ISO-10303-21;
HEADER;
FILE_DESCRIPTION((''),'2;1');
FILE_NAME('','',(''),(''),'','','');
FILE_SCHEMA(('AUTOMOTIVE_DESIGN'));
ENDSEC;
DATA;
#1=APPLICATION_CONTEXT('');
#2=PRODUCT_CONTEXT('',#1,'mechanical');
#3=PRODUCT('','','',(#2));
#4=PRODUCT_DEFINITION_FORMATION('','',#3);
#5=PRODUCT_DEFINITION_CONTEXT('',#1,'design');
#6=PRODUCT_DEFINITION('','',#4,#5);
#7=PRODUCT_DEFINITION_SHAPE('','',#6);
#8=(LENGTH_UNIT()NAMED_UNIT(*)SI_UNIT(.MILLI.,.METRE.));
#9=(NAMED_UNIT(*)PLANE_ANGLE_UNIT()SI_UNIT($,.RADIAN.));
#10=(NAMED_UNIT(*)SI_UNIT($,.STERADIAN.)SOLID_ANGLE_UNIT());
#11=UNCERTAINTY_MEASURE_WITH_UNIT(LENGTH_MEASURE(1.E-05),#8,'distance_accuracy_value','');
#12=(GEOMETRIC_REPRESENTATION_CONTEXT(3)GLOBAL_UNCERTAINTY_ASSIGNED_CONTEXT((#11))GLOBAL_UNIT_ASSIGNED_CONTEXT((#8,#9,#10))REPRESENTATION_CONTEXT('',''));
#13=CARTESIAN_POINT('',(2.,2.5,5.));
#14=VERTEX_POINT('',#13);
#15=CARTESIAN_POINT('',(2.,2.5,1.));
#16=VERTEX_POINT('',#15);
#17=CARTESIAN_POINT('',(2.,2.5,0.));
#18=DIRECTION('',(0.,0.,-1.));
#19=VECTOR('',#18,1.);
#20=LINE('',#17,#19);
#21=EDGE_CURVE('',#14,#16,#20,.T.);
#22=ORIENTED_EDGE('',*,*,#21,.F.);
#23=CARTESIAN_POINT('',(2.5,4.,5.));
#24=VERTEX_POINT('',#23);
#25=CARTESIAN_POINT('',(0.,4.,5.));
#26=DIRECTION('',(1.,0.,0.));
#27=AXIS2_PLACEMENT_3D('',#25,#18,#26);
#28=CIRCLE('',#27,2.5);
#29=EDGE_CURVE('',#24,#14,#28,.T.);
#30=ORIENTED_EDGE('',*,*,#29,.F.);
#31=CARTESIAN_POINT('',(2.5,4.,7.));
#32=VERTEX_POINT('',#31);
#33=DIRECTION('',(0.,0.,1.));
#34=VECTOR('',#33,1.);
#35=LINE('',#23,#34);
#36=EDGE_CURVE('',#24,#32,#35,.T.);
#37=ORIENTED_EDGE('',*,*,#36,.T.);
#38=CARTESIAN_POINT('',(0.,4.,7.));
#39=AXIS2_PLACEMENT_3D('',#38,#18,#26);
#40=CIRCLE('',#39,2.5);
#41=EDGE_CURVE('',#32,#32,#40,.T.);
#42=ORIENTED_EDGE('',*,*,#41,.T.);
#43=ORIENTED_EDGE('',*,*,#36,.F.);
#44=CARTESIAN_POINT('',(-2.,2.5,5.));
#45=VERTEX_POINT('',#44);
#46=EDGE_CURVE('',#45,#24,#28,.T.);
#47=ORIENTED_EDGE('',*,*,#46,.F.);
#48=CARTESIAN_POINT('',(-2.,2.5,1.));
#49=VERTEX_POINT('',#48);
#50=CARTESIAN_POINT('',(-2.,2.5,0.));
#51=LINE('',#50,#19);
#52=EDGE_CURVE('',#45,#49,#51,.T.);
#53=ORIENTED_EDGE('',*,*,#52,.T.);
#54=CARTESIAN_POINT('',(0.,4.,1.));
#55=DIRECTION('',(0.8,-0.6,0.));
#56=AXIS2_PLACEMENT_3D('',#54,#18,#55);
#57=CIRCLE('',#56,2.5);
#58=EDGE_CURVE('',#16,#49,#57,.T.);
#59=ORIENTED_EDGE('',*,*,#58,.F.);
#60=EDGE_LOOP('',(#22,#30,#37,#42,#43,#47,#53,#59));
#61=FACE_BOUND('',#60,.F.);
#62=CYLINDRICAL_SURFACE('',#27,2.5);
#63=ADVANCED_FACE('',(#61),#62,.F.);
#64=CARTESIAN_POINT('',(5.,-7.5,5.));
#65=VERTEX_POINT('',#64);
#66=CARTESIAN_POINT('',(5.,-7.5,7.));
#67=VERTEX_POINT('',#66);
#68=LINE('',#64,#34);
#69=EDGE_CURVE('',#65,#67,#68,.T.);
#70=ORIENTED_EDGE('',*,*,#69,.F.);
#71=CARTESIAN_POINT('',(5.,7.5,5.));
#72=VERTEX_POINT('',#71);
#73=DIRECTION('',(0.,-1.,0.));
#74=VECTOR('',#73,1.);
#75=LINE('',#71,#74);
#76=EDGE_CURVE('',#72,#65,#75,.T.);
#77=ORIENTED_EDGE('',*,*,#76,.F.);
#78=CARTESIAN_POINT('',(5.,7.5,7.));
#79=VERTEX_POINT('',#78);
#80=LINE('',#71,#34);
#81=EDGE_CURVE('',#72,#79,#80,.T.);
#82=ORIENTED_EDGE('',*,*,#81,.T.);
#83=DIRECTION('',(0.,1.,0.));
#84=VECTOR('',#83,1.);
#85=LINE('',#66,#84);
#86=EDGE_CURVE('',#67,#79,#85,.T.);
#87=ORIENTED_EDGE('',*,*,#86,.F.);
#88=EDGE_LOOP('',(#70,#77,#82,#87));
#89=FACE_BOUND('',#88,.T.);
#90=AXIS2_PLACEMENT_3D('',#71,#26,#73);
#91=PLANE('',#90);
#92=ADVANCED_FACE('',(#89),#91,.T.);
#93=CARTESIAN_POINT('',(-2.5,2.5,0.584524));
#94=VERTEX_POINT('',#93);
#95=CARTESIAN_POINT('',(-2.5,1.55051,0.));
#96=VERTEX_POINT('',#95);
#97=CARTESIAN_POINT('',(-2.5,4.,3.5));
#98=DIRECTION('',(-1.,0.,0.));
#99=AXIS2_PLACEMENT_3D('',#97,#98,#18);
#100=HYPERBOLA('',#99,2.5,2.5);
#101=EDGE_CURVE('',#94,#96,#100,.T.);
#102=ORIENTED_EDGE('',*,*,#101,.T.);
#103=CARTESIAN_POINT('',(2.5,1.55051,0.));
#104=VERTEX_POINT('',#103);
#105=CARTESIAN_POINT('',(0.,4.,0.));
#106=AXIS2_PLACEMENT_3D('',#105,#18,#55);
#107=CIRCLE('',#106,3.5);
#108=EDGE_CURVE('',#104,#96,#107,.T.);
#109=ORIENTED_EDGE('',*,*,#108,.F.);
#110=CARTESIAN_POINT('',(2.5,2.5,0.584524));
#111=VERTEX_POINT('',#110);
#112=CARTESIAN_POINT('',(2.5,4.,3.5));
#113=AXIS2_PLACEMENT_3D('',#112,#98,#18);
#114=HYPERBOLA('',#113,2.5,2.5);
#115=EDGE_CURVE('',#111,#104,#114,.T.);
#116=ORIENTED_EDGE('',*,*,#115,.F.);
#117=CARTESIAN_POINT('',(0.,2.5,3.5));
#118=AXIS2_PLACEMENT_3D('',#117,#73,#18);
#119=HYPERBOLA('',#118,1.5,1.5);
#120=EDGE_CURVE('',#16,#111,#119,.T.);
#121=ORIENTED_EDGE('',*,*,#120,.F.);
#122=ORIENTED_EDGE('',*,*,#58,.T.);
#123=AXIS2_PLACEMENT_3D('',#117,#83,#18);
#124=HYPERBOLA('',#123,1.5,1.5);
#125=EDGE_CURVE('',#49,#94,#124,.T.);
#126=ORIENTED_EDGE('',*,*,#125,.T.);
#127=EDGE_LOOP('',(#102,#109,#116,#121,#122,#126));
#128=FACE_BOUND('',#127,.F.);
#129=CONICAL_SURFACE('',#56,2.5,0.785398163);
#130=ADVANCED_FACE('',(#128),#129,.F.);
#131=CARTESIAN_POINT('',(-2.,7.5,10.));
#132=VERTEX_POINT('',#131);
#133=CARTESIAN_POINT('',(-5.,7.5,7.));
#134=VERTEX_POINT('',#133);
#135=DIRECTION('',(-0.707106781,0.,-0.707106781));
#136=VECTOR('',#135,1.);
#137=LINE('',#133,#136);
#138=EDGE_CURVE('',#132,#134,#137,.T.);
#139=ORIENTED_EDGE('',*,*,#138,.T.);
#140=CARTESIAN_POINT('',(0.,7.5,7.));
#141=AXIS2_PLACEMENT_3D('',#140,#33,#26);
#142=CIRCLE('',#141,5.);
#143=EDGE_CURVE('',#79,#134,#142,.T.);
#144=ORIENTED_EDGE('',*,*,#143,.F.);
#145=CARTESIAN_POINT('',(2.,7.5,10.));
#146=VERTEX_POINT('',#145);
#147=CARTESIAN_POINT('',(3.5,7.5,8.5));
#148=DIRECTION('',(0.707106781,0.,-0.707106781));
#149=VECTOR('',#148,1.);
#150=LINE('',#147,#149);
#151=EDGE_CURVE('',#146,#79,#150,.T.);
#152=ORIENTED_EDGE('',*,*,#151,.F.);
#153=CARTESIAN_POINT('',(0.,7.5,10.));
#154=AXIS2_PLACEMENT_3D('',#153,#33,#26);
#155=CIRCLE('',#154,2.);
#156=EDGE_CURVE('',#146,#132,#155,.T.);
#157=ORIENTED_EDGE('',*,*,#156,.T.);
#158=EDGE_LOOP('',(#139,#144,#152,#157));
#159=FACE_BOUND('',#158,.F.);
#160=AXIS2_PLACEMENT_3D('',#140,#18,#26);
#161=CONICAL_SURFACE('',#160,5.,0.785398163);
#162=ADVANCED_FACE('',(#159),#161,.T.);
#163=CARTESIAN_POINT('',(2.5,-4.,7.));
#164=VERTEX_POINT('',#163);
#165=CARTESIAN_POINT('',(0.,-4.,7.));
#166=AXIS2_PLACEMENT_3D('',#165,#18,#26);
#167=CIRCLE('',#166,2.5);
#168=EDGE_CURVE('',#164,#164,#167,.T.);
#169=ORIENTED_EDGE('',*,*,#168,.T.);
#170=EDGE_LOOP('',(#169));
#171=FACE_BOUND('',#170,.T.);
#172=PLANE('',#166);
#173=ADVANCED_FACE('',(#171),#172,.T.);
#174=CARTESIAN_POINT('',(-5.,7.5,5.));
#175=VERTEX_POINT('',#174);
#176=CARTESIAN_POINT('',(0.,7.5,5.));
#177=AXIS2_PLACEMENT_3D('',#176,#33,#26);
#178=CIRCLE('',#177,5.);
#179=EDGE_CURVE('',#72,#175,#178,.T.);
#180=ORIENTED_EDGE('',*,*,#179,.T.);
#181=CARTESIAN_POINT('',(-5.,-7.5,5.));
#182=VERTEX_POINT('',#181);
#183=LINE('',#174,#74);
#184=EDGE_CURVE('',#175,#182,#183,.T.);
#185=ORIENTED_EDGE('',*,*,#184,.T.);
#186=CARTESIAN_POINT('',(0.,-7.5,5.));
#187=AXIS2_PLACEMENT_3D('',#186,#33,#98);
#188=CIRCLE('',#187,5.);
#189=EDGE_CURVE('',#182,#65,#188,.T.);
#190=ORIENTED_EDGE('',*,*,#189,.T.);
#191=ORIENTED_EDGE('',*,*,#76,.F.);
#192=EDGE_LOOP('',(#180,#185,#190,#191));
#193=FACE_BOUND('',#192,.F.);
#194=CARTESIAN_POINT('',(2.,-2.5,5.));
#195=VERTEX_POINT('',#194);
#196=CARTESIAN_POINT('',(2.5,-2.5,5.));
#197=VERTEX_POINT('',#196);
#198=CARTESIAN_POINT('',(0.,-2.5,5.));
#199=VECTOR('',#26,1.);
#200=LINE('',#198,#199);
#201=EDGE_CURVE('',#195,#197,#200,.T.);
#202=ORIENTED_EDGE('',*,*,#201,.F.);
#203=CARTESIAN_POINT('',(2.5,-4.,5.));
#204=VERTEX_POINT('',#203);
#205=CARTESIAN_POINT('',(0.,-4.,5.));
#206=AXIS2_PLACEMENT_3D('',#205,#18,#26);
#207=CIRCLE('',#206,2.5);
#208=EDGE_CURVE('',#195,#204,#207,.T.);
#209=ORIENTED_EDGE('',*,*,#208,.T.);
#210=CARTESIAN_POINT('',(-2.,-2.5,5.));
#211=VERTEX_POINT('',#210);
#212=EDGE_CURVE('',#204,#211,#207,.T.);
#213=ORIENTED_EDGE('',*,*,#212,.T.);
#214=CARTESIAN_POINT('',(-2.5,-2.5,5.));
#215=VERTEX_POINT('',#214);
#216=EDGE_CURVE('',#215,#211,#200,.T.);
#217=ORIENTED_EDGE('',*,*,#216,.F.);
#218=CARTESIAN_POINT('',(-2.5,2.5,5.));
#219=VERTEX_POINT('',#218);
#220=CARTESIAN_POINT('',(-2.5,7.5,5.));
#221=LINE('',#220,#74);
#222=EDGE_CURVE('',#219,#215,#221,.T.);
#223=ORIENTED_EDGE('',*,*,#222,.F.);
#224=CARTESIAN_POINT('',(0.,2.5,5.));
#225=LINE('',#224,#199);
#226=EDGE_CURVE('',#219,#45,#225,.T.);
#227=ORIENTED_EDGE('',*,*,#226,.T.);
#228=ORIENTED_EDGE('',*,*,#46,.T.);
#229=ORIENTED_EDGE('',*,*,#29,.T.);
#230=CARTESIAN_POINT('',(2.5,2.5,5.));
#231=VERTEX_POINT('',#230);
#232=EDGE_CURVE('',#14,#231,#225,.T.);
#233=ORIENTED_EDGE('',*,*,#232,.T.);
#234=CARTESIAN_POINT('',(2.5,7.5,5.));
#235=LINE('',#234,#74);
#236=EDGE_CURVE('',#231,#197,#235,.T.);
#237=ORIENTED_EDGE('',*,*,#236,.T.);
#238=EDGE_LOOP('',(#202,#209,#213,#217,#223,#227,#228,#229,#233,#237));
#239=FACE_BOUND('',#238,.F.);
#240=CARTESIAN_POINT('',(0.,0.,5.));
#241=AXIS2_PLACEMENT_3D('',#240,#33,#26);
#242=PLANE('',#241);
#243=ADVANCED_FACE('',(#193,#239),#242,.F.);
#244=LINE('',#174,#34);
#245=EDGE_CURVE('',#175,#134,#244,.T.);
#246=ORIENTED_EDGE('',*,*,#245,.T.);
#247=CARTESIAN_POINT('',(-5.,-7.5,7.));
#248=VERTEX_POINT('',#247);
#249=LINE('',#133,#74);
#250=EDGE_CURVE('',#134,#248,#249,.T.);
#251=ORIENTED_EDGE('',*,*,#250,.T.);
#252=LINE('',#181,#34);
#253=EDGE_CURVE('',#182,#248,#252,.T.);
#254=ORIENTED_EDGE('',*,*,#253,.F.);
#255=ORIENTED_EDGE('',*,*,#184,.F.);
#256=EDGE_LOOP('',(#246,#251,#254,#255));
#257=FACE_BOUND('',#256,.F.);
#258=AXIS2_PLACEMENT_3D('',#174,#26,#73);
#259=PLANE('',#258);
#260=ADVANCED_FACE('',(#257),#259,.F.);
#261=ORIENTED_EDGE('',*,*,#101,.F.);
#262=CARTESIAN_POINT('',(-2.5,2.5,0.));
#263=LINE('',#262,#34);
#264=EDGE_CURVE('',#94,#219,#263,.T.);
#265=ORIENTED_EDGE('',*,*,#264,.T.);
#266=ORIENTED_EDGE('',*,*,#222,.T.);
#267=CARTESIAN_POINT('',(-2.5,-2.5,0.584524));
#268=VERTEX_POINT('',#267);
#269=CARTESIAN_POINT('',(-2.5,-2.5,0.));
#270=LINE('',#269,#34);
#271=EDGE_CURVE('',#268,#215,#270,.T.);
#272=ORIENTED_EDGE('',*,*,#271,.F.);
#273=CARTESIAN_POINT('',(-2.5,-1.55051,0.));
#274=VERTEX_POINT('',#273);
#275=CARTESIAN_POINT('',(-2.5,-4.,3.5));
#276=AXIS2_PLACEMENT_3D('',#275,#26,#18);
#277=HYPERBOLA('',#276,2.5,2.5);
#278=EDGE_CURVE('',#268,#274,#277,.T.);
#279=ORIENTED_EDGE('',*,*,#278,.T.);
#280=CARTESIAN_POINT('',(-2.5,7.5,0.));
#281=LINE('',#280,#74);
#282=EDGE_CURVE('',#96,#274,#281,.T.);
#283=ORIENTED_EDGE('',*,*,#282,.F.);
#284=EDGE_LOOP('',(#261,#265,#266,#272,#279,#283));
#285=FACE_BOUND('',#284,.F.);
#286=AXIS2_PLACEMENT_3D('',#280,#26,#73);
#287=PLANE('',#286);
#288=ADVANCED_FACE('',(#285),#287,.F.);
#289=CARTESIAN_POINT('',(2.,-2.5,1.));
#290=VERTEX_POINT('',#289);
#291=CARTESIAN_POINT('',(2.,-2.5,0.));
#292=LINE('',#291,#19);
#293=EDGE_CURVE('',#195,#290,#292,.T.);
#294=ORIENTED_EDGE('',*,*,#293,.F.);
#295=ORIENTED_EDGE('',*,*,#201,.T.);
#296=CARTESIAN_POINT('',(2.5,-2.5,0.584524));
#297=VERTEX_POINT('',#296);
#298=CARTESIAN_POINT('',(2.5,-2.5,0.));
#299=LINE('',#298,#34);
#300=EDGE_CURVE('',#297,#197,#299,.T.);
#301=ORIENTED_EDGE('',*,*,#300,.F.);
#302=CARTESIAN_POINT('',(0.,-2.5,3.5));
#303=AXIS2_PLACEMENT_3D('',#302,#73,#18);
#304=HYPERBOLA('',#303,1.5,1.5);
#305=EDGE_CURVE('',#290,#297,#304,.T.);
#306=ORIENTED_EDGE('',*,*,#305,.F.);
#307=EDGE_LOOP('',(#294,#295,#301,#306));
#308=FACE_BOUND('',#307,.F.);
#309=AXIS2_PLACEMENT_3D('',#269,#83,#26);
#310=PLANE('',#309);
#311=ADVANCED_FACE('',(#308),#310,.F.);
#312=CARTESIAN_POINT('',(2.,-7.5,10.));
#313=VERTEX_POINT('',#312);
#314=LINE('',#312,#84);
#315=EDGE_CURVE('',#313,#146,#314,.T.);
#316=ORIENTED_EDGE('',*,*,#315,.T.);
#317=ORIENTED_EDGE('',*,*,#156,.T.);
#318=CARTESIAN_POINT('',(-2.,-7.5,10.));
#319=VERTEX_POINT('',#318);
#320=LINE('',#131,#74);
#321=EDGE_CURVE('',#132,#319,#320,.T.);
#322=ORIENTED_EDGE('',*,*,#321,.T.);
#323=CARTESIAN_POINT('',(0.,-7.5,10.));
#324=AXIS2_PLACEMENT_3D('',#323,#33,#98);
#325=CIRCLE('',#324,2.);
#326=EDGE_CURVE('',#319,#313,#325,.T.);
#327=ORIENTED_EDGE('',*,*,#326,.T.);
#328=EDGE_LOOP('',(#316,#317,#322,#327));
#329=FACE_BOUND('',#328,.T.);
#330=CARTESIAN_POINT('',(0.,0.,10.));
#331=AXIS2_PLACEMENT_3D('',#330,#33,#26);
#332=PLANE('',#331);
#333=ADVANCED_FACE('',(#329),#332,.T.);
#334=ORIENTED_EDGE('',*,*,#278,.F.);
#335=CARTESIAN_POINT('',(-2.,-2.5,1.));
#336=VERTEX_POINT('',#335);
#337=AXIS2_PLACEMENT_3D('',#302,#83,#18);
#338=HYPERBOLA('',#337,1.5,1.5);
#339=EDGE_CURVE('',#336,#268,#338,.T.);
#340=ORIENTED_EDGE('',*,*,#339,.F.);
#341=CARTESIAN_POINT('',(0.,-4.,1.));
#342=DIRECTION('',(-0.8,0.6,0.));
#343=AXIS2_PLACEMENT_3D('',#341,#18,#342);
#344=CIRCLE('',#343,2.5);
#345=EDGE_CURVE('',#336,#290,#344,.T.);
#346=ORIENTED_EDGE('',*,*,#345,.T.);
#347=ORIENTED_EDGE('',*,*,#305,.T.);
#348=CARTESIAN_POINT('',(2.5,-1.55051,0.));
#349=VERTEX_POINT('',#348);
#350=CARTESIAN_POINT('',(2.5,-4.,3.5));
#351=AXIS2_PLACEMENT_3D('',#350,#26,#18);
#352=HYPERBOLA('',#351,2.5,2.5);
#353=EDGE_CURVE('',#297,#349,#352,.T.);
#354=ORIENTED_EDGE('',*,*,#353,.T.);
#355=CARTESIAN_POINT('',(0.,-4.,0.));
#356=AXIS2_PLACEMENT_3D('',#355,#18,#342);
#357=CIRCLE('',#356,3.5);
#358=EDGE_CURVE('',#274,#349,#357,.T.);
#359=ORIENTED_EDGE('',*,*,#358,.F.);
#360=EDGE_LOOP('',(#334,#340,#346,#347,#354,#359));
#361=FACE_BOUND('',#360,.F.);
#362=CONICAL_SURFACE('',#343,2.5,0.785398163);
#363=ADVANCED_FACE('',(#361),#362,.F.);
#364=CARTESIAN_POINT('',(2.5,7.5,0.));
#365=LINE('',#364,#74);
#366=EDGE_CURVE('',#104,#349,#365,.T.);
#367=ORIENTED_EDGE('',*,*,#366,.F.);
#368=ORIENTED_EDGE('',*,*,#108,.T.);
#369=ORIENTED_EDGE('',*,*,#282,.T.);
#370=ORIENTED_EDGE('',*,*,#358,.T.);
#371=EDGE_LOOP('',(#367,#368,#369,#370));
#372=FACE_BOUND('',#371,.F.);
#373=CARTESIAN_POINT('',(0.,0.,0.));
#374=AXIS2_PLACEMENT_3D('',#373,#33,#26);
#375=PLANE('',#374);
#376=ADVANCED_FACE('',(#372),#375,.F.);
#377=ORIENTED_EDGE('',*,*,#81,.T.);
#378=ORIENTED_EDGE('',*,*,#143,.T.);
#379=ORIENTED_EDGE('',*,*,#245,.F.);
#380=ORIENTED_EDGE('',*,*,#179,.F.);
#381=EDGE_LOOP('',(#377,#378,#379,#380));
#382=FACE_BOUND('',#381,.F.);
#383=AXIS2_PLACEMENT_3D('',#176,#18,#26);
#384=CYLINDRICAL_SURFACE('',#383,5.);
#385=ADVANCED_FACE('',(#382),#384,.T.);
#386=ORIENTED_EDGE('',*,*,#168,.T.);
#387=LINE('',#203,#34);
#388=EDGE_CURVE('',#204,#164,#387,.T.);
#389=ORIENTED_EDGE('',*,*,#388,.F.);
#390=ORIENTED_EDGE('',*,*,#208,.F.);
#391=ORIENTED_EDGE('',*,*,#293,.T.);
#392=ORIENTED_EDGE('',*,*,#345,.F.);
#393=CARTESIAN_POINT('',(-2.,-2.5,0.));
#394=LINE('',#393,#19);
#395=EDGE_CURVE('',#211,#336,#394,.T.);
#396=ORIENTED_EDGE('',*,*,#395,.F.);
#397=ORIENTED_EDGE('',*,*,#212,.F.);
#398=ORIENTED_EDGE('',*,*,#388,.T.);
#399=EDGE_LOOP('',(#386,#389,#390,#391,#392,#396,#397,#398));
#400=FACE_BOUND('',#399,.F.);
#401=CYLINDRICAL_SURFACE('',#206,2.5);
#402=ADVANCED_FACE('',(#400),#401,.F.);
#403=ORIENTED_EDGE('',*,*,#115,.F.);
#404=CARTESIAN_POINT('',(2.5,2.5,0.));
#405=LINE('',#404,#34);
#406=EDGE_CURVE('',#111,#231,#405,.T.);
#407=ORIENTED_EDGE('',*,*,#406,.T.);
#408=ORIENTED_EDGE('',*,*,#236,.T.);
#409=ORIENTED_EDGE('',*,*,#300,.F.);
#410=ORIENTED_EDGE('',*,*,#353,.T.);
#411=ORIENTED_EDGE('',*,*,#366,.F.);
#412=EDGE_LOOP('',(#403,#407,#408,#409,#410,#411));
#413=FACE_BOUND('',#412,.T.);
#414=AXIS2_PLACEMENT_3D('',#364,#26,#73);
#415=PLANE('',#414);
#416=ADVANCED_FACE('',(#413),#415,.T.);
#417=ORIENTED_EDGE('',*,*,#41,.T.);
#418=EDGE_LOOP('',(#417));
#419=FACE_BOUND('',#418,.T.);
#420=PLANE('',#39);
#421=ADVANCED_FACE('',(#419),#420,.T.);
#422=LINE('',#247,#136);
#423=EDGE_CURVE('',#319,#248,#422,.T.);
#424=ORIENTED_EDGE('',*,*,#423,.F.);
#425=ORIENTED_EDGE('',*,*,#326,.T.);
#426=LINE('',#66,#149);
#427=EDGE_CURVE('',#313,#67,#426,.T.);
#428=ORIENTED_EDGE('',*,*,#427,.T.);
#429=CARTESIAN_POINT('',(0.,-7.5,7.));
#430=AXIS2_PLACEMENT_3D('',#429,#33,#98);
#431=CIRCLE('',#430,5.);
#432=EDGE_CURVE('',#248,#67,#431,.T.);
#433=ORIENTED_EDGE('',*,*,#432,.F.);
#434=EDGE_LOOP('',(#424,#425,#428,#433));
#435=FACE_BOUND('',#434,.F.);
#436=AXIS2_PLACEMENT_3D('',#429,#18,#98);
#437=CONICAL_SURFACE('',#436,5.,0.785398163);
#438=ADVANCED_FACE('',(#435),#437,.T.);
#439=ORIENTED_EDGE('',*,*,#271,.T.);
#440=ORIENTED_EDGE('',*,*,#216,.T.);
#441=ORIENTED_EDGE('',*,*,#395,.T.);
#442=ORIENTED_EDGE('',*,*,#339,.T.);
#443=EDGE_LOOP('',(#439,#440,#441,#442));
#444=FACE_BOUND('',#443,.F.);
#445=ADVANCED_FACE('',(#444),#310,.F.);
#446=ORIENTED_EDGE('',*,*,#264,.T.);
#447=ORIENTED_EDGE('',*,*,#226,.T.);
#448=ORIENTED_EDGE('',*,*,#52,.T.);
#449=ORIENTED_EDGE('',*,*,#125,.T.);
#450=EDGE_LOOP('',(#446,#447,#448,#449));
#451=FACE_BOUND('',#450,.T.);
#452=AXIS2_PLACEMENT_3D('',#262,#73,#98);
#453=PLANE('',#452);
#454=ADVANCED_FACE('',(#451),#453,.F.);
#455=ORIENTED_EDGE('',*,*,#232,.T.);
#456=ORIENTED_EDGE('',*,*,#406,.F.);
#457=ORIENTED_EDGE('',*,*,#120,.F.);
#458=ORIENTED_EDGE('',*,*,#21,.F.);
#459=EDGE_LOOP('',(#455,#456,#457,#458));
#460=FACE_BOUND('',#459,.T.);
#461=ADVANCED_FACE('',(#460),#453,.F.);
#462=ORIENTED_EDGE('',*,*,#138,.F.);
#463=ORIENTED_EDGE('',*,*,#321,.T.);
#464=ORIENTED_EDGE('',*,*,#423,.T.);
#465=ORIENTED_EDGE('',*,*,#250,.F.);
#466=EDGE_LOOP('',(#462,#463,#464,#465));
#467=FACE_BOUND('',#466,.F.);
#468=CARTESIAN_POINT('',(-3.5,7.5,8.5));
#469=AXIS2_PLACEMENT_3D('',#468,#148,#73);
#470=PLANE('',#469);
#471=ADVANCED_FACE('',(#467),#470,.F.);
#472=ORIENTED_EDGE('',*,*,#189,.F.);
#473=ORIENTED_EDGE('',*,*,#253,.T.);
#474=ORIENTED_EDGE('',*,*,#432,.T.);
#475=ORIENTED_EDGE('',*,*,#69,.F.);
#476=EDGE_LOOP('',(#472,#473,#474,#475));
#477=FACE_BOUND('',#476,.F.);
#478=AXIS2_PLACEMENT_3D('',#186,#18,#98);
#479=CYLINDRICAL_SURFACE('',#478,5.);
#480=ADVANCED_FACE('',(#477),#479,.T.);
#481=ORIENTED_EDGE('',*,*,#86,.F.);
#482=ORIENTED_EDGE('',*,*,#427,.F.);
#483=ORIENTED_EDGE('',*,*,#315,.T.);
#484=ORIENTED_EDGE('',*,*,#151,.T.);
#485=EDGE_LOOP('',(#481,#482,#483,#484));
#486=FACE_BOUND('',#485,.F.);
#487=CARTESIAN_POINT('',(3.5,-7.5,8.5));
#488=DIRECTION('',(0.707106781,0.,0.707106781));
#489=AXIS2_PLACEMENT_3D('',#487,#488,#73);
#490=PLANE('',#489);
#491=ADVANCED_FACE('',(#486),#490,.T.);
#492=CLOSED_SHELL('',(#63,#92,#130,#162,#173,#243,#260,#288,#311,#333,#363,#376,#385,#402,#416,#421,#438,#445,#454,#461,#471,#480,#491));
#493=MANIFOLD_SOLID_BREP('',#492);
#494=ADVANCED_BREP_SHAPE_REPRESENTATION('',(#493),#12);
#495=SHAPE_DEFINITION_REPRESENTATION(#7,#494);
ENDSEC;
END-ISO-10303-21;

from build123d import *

# Parameters (mm, degrees)
PAD_DEPTH       = 5
PAD001_DEPTH    = 5
POCKET_DEPTH    = 5
SKETCH003_W     = 5
SKETCH003_H     = 1.5
POCKET001_DEPTH = 5
SKETCH004_R     = 2.5
POCKET002_DEPTH = 2
CHAMFER_SIZE    = 3
CHAMFER001_SIZE = 1


with BuildPart() as part:
    # Sketch → Pad (new body)
    with BuildSketch(Plane.XY):
        with BuildLine():
            ThreePointArc((2.5, 7.5), (0, 10), (-2.5, 7.5))
            Line((-2.5, 7.5), (-2.5, -7.5))
            ThreePointArc((-2.5, -7.5), (0, -10), (2.5, -7.5))
            Line((2.5, 7.5), (2.5, -7.5))
        make_face()
    extrude(amount=PAD_DEPTH)

    # Sketch001 (on Face6 of Pad) → Pad001 (join)
    with BuildSketch(Plane.XY.offset(5)):
        with BuildLine():
            ThreePointArc((5, 7.5), (0, 12.5), (-5, 7.5))
            Line((-5, 7.5), (-5, -7.5))
            ThreePointArc((-5, -7.5), (0, -12.5), (5, -7.5))
            Line((5, 7.5), (5, -7.5))
        make_face()
    extrude(amount=PAD001_DEPTH)

    # Sketch002 → Pocket (cut)
    with BuildSketch(Plane(origin=(0, 0, 0), x_dir=(1, 0, 0), z_dir=(0, 0, -1))):
        with BuildLine():
            ThreePointArc((2.5, 7.5), (0, 10), (-2.5, 7.5))
            Line((-2.5, 7.5), (-2.5, 4))
            ThreePointArc((-2.5, 4), (0, 1.5), (2.5, 4))
            Line((2.5, 7.5), (2.5, 4))
        make_face()
        with BuildLine():
            ThreePointArc((-2.5, -7.5), (0, -10), (2.5, -7.5))
            Line((2.5, -7.5), (2.5, -4))
            ThreePointArc((2.5, -4), (0, -1.5), (-2.5, -4))
            Line((-2.5, -7.5), (-2.5, -4))
        make_face()
    extrude(amount=-POCKET_DEPTH, mode=Mode.SUBTRACT)

    # Sketch003 (on Face10 of Pocket) → Pocket001 (cut)
    with BuildSketch(Plane(origin=(0, 0, 0), x_dir=(1, 0, 0), z_dir=(0, 0, -1))):
        with Locations((0, 3.25)):
            Rectangle(SKETCH003_W, SKETCH003_H)
    pocket001 = extrude(amount=-POCKET001_DEPTH, mode=Mode.SUBTRACT)

    # Mirrored: Pocket001 across XZ
    add(pocket001.mirror(Plane.XZ), mode=Mode.SUBTRACT)

    # Sketch004 (on Face6 of Mirrored) → Pocket002 (cut)
    with BuildSketch(Plane(origin=(0, 0, 5), x_dir=(1, 0, 0), z_dir=(0, 0, -1))):
        with Locations((0, -4)):
            Circle(SKETCH004_R)
        with Locations((0, 4)):
            Circle(SKETCH004_R)
    extrude(amount=-POCKET002_DEPTH, mode=Mode.SUBTRACT)

    # Chamfer
    chamfer_edges = [part.edges().sort_by_distance(p)[0] for p in [
        (0, -12.5, 10),
    ]]
    chamfer(chamfer_edges, length=CHAMFER_SIZE)

    # Chamfer001
    chamfer001_edges = [part.edges().sort_by_distance(p)[0] for p in [
        (0, -1.5, 0),
        (0, 1.5, 0),
    ]]
    chamfer(chamfer001_edges, length=CHAMFER001_SIZE)


solid = part.part
